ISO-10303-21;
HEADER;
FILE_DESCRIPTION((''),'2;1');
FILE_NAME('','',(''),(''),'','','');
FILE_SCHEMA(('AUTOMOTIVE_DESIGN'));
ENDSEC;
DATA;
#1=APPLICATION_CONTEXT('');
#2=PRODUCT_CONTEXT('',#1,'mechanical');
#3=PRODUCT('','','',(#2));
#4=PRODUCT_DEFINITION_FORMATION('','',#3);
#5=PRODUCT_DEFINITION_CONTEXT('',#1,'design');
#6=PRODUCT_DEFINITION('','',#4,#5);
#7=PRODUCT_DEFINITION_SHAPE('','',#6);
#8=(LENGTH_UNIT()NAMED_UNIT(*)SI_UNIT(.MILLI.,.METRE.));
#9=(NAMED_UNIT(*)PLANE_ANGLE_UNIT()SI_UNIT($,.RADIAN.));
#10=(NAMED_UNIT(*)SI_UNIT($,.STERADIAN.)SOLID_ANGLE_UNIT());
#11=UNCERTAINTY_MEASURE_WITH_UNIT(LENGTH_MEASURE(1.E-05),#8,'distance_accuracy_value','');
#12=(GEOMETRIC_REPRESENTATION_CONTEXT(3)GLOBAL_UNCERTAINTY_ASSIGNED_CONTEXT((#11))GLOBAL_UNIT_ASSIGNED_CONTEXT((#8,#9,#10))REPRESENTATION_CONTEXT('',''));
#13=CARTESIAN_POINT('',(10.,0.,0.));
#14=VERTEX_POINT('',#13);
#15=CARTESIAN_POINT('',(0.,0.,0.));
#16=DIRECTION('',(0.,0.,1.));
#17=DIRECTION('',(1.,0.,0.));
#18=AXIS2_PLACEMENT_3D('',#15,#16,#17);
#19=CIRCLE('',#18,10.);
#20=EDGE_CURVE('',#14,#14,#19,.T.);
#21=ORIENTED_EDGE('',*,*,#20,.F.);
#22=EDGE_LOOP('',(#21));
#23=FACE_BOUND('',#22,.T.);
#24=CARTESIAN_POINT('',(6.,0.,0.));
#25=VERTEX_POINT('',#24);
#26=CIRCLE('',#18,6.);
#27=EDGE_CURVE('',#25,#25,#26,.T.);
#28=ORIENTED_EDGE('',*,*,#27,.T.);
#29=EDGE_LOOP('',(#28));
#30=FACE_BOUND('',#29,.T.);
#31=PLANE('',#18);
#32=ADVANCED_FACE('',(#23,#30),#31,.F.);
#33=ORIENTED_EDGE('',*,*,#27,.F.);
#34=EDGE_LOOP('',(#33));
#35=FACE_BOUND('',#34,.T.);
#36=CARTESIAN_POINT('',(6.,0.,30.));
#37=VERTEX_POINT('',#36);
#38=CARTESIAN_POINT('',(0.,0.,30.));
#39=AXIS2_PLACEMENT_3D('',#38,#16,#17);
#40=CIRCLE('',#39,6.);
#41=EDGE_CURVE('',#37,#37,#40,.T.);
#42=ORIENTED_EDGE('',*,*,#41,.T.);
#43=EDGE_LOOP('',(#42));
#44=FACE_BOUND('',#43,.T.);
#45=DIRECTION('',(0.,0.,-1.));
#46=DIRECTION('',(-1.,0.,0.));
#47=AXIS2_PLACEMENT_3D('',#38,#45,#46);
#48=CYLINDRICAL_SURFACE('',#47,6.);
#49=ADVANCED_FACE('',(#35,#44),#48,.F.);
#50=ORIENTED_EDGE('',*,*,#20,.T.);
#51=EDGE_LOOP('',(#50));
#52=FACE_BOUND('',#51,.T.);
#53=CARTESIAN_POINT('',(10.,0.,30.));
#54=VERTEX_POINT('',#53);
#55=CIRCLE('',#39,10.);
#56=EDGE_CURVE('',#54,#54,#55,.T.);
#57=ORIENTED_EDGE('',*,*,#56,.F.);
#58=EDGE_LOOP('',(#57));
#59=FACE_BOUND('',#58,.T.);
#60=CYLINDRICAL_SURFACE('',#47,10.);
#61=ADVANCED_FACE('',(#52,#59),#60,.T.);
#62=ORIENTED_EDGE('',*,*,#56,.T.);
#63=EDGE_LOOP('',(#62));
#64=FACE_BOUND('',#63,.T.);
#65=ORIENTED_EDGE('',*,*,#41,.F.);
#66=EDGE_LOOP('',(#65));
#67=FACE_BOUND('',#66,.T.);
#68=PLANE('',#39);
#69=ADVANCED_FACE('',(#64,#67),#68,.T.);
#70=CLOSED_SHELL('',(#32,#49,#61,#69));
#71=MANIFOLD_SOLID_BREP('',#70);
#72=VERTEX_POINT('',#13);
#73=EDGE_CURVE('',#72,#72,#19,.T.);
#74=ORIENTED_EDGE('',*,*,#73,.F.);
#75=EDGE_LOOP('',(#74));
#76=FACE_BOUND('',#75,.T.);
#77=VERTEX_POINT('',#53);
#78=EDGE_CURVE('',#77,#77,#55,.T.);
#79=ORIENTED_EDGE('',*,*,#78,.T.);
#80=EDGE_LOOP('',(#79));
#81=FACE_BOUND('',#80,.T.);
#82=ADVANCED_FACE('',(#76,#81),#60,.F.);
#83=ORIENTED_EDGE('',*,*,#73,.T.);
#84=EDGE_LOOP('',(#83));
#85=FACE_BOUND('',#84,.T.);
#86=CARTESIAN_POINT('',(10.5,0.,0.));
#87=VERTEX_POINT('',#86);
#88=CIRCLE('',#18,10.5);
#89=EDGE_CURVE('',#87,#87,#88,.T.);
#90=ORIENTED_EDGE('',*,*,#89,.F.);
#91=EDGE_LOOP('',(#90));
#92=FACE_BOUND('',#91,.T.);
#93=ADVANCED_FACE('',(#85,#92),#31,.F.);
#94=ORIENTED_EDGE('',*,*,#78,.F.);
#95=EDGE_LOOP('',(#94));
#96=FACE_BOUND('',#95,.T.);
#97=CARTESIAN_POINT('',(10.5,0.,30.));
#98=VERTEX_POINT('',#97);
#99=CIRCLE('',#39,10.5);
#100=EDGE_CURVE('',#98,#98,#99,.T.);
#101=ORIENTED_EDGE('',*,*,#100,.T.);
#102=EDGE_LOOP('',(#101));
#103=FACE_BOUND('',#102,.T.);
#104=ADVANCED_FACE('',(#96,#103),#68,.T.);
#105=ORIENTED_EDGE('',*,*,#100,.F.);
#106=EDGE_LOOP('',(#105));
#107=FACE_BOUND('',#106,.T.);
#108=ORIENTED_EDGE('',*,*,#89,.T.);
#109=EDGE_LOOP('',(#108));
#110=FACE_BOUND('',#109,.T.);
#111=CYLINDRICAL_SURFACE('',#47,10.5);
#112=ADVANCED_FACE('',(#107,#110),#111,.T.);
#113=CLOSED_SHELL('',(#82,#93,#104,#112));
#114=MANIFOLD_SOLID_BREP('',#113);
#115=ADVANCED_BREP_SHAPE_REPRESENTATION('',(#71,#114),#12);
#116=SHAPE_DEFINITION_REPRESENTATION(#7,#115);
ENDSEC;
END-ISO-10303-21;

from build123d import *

# Parameters (mm, degrees)
SKETCH1_R           = 10
SKETCH1_R_2         = 6
BOSS_EXTRUDE1_DEPTH = 30
SKETCH1_3_R         = 10.5
SKETCH1_3_R_2       = 10
BOSS_EXTRUDE2_DEPTH = 30


with BuildPart() as part:
    # Sketch1 → Boss-Extrude1 (new body)
    with BuildSketch(Plane.XY):
        Circle(SKETCH1_R)
        Circle(SKETCH1_R_2, mode=Mode.SUBTRACT)
    extrude(amount=BOSS_EXTRUDE1_DEPTH)


with BuildPart() as body_2:
    # Sketch1<3> → Boss-Extrude2 (new body)
    with BuildSketch(Plane.XY):
        Circle(SKETCH1_3_R)
        Circle(SKETCH1_3_R_2, mode=Mode.SUBTRACT)
    extrude(amount=BOSS_EXTRUDE2_DEPTH)


solid = Compound([part.part, body_2.part])
